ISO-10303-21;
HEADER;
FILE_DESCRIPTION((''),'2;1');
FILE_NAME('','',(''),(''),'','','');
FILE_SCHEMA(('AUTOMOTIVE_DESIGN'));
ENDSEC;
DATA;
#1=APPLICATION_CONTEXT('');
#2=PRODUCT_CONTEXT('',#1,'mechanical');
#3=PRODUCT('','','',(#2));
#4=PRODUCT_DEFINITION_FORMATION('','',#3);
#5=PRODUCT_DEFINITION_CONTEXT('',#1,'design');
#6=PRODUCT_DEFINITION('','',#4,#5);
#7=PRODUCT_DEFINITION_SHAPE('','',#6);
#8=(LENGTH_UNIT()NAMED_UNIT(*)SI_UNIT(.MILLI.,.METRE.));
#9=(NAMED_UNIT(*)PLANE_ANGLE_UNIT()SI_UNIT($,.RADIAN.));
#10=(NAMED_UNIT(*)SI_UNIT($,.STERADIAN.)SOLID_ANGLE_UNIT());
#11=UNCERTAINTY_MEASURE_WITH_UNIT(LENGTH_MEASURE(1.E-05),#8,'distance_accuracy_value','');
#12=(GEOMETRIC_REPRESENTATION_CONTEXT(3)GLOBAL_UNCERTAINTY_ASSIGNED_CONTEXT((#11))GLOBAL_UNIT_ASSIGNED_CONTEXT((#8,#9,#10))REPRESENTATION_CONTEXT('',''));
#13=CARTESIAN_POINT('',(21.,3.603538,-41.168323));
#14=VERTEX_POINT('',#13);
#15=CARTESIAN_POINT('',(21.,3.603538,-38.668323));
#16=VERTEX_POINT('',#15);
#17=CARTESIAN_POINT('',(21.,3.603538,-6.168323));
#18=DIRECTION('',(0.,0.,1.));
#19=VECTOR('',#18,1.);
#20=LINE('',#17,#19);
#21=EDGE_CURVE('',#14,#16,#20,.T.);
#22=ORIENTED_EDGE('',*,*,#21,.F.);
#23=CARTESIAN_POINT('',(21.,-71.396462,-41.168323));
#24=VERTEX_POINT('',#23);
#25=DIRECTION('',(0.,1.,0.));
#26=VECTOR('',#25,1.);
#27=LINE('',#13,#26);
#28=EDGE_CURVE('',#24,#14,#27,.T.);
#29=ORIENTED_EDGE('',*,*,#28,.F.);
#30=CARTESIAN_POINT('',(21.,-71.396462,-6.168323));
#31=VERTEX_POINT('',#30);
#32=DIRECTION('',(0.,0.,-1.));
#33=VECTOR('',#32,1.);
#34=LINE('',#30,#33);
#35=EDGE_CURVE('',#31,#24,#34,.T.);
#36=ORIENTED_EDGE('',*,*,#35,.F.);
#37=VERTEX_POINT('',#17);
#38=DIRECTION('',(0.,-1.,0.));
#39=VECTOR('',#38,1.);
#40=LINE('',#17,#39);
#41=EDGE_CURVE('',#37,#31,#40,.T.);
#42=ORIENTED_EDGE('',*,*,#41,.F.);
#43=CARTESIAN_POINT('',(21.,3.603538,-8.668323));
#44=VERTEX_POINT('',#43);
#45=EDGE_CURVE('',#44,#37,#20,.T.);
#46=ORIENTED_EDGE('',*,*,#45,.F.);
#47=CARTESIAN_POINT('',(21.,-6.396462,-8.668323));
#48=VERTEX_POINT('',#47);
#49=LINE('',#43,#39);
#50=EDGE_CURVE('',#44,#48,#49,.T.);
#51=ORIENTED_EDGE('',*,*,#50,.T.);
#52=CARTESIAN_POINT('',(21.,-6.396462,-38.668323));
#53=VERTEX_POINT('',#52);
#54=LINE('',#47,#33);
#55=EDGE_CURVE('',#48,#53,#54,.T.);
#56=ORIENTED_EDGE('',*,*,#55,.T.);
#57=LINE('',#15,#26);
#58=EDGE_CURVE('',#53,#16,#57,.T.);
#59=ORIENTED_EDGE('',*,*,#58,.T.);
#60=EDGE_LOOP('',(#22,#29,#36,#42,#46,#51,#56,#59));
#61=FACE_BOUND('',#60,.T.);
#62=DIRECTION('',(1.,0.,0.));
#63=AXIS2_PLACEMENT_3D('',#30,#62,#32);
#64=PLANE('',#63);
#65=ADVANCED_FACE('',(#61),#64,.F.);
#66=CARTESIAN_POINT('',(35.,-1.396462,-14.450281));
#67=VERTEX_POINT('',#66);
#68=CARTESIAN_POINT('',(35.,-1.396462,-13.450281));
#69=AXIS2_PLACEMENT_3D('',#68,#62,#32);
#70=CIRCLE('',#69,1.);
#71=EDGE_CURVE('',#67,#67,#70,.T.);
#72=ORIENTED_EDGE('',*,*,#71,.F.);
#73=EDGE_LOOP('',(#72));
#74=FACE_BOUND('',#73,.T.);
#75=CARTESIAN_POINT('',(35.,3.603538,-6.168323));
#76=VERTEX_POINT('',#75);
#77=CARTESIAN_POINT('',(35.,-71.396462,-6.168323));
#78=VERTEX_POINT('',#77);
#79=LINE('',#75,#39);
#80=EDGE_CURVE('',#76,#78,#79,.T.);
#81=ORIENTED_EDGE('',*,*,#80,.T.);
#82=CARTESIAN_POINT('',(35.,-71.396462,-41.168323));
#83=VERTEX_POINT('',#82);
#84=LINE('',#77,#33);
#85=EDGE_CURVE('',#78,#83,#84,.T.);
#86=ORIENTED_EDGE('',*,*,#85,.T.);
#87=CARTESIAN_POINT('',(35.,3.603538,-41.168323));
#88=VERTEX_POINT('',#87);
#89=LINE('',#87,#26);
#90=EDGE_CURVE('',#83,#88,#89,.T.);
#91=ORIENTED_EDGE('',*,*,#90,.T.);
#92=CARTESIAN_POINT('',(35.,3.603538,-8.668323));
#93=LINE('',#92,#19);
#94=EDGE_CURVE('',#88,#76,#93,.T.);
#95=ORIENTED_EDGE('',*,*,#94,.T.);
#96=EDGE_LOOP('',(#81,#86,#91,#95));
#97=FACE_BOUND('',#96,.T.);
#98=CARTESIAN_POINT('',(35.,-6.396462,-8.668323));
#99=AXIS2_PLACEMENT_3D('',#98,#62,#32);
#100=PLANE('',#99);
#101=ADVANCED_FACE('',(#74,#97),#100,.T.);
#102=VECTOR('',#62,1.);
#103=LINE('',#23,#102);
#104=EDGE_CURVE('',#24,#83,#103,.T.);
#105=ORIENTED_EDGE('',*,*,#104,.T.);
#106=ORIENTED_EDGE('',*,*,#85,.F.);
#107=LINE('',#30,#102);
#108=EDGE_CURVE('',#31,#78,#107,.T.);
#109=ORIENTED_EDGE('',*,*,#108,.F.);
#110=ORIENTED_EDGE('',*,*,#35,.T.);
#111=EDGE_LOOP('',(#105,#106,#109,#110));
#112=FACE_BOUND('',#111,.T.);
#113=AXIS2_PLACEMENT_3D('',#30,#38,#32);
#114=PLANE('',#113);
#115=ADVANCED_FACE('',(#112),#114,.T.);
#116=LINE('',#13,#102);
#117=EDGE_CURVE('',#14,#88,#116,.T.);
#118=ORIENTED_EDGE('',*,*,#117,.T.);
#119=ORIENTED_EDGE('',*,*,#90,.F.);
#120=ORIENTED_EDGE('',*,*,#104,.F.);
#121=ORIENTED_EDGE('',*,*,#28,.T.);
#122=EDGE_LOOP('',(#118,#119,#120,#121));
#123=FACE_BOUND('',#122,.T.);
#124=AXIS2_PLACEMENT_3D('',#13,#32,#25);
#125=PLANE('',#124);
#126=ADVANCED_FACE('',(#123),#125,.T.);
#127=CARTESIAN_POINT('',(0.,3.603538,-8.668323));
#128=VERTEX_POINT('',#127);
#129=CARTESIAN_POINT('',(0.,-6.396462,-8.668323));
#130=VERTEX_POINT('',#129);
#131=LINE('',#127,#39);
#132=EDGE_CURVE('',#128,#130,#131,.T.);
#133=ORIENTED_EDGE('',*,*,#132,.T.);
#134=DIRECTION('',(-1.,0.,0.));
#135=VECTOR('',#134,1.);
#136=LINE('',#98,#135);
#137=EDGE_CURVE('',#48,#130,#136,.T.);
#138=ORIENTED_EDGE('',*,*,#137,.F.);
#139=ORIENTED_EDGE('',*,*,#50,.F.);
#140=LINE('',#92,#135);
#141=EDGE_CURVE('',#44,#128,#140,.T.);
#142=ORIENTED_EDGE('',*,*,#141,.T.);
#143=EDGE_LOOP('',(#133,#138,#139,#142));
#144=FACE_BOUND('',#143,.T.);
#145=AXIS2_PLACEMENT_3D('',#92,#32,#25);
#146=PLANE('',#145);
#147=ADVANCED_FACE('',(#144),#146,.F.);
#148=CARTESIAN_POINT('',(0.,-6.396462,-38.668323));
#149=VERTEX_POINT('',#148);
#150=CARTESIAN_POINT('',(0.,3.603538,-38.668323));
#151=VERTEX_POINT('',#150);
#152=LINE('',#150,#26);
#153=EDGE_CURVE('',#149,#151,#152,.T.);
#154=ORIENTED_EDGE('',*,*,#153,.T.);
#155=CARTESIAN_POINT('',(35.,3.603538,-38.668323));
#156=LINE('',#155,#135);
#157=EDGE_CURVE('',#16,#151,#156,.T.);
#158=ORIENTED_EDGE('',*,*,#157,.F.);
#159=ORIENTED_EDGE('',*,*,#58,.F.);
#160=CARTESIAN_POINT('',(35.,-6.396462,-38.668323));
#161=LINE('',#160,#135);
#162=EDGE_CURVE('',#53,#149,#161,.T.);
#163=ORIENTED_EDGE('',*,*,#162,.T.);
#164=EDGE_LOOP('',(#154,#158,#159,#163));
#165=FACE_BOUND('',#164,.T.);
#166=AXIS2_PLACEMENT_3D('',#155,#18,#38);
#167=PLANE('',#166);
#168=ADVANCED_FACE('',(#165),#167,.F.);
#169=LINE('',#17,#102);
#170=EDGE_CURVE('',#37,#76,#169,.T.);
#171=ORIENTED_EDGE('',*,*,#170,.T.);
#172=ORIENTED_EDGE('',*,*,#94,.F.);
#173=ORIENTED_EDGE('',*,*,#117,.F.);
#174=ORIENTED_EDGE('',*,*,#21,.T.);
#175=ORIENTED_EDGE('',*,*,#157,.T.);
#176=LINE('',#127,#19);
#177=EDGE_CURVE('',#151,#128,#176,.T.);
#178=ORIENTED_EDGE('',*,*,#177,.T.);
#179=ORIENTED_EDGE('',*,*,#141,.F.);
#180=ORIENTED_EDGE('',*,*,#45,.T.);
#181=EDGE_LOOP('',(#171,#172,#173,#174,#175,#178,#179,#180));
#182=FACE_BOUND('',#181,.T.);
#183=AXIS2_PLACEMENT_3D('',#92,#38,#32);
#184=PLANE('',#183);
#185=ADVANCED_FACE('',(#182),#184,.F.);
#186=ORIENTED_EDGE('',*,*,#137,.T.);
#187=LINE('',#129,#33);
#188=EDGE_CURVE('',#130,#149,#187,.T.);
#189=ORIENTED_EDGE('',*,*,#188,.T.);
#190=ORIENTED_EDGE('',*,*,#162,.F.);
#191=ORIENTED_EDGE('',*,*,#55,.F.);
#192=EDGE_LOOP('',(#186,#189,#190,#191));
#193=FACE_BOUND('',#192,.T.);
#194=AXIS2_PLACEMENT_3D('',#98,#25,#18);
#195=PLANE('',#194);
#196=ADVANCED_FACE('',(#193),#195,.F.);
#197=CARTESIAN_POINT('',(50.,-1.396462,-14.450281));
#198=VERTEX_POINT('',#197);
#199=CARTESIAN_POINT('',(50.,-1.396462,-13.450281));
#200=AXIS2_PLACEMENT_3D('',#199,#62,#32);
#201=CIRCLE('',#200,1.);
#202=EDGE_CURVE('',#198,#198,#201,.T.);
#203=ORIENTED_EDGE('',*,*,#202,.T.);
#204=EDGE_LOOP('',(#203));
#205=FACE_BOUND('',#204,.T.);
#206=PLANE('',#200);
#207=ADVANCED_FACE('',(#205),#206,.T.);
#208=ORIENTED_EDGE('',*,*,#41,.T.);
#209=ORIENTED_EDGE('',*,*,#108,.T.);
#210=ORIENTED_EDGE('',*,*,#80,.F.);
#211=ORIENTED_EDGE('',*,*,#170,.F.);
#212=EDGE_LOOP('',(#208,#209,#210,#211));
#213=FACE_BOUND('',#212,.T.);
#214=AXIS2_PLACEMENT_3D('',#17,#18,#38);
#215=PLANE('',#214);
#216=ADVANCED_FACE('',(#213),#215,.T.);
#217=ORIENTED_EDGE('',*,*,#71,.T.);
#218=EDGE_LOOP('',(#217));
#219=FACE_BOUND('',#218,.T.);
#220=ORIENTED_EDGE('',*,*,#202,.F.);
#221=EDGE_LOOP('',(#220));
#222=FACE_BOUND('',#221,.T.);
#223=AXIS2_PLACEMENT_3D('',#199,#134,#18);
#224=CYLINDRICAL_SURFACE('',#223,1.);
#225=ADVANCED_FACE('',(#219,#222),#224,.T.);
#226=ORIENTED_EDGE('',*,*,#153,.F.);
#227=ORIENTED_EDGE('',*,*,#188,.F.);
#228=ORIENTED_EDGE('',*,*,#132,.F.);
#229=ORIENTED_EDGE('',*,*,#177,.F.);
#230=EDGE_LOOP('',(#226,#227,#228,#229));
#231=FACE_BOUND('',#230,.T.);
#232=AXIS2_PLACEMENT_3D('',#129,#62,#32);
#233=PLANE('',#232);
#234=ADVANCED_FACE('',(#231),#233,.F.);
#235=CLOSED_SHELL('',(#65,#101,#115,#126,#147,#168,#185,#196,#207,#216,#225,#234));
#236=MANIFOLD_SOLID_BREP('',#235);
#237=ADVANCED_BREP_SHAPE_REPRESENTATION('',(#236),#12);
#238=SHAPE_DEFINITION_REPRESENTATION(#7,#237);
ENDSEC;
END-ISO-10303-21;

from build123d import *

# Parameters (mm, degrees)
ESQUISSE1_W        = 30
ESQUISSE1_H        = 10
BOSS_EXTRU_1_DEPTH = 35
ESQUISSE3_R        = 1
BOSS_EXTRU_2_DEPTH = 15
ESQUISSE4_W        = 35
ESQUISSE4_H        = 75
BOSS_EXTRU_3_DEPTH = 14


with BuildPart() as part:
    # Esquisse1 → Boss.-Extru.1 (new body)
    with BuildSketch(Plane(origin=(0, 0, 0), x_dir=(0, 0, -1), z_dir=(1, 0, 0))):
        with Locations((23.668323467, -1.396462247)):
            Rectangle(ESQUISSE1_W, ESQUISSE1_H)
    extrude(amount=BOSS_EXTRU_1_DEPTH)

    # Esquisse3 → Boss.-Extru.2 (add)
    with BuildSketch(Plane(origin=(35, 0, 0), x_dir=(0, 0, -1), z_dir=(1, 0, 0))):
        with Locations((13.450280626, -1.396462247)):
            Circle(ESQUISSE3_R)
    extrude(amount=BOSS_EXTRU_2_DEPTH)

    # Esquisse4 → Boss.-Extru.3 (add)
    with BuildSketch(Plane(origin=(35, 0, 0), x_dir=(0, 0, -1), z_dir=(1, 0, 0))):
        with Locations((23.668323467, -33.896462247)):
            Rectangle(ESQUISSE4_W, ESQUISSE4_H)
    extrude(amount=-BOSS_EXTRU_3_DEPTH)


solid = part.part
